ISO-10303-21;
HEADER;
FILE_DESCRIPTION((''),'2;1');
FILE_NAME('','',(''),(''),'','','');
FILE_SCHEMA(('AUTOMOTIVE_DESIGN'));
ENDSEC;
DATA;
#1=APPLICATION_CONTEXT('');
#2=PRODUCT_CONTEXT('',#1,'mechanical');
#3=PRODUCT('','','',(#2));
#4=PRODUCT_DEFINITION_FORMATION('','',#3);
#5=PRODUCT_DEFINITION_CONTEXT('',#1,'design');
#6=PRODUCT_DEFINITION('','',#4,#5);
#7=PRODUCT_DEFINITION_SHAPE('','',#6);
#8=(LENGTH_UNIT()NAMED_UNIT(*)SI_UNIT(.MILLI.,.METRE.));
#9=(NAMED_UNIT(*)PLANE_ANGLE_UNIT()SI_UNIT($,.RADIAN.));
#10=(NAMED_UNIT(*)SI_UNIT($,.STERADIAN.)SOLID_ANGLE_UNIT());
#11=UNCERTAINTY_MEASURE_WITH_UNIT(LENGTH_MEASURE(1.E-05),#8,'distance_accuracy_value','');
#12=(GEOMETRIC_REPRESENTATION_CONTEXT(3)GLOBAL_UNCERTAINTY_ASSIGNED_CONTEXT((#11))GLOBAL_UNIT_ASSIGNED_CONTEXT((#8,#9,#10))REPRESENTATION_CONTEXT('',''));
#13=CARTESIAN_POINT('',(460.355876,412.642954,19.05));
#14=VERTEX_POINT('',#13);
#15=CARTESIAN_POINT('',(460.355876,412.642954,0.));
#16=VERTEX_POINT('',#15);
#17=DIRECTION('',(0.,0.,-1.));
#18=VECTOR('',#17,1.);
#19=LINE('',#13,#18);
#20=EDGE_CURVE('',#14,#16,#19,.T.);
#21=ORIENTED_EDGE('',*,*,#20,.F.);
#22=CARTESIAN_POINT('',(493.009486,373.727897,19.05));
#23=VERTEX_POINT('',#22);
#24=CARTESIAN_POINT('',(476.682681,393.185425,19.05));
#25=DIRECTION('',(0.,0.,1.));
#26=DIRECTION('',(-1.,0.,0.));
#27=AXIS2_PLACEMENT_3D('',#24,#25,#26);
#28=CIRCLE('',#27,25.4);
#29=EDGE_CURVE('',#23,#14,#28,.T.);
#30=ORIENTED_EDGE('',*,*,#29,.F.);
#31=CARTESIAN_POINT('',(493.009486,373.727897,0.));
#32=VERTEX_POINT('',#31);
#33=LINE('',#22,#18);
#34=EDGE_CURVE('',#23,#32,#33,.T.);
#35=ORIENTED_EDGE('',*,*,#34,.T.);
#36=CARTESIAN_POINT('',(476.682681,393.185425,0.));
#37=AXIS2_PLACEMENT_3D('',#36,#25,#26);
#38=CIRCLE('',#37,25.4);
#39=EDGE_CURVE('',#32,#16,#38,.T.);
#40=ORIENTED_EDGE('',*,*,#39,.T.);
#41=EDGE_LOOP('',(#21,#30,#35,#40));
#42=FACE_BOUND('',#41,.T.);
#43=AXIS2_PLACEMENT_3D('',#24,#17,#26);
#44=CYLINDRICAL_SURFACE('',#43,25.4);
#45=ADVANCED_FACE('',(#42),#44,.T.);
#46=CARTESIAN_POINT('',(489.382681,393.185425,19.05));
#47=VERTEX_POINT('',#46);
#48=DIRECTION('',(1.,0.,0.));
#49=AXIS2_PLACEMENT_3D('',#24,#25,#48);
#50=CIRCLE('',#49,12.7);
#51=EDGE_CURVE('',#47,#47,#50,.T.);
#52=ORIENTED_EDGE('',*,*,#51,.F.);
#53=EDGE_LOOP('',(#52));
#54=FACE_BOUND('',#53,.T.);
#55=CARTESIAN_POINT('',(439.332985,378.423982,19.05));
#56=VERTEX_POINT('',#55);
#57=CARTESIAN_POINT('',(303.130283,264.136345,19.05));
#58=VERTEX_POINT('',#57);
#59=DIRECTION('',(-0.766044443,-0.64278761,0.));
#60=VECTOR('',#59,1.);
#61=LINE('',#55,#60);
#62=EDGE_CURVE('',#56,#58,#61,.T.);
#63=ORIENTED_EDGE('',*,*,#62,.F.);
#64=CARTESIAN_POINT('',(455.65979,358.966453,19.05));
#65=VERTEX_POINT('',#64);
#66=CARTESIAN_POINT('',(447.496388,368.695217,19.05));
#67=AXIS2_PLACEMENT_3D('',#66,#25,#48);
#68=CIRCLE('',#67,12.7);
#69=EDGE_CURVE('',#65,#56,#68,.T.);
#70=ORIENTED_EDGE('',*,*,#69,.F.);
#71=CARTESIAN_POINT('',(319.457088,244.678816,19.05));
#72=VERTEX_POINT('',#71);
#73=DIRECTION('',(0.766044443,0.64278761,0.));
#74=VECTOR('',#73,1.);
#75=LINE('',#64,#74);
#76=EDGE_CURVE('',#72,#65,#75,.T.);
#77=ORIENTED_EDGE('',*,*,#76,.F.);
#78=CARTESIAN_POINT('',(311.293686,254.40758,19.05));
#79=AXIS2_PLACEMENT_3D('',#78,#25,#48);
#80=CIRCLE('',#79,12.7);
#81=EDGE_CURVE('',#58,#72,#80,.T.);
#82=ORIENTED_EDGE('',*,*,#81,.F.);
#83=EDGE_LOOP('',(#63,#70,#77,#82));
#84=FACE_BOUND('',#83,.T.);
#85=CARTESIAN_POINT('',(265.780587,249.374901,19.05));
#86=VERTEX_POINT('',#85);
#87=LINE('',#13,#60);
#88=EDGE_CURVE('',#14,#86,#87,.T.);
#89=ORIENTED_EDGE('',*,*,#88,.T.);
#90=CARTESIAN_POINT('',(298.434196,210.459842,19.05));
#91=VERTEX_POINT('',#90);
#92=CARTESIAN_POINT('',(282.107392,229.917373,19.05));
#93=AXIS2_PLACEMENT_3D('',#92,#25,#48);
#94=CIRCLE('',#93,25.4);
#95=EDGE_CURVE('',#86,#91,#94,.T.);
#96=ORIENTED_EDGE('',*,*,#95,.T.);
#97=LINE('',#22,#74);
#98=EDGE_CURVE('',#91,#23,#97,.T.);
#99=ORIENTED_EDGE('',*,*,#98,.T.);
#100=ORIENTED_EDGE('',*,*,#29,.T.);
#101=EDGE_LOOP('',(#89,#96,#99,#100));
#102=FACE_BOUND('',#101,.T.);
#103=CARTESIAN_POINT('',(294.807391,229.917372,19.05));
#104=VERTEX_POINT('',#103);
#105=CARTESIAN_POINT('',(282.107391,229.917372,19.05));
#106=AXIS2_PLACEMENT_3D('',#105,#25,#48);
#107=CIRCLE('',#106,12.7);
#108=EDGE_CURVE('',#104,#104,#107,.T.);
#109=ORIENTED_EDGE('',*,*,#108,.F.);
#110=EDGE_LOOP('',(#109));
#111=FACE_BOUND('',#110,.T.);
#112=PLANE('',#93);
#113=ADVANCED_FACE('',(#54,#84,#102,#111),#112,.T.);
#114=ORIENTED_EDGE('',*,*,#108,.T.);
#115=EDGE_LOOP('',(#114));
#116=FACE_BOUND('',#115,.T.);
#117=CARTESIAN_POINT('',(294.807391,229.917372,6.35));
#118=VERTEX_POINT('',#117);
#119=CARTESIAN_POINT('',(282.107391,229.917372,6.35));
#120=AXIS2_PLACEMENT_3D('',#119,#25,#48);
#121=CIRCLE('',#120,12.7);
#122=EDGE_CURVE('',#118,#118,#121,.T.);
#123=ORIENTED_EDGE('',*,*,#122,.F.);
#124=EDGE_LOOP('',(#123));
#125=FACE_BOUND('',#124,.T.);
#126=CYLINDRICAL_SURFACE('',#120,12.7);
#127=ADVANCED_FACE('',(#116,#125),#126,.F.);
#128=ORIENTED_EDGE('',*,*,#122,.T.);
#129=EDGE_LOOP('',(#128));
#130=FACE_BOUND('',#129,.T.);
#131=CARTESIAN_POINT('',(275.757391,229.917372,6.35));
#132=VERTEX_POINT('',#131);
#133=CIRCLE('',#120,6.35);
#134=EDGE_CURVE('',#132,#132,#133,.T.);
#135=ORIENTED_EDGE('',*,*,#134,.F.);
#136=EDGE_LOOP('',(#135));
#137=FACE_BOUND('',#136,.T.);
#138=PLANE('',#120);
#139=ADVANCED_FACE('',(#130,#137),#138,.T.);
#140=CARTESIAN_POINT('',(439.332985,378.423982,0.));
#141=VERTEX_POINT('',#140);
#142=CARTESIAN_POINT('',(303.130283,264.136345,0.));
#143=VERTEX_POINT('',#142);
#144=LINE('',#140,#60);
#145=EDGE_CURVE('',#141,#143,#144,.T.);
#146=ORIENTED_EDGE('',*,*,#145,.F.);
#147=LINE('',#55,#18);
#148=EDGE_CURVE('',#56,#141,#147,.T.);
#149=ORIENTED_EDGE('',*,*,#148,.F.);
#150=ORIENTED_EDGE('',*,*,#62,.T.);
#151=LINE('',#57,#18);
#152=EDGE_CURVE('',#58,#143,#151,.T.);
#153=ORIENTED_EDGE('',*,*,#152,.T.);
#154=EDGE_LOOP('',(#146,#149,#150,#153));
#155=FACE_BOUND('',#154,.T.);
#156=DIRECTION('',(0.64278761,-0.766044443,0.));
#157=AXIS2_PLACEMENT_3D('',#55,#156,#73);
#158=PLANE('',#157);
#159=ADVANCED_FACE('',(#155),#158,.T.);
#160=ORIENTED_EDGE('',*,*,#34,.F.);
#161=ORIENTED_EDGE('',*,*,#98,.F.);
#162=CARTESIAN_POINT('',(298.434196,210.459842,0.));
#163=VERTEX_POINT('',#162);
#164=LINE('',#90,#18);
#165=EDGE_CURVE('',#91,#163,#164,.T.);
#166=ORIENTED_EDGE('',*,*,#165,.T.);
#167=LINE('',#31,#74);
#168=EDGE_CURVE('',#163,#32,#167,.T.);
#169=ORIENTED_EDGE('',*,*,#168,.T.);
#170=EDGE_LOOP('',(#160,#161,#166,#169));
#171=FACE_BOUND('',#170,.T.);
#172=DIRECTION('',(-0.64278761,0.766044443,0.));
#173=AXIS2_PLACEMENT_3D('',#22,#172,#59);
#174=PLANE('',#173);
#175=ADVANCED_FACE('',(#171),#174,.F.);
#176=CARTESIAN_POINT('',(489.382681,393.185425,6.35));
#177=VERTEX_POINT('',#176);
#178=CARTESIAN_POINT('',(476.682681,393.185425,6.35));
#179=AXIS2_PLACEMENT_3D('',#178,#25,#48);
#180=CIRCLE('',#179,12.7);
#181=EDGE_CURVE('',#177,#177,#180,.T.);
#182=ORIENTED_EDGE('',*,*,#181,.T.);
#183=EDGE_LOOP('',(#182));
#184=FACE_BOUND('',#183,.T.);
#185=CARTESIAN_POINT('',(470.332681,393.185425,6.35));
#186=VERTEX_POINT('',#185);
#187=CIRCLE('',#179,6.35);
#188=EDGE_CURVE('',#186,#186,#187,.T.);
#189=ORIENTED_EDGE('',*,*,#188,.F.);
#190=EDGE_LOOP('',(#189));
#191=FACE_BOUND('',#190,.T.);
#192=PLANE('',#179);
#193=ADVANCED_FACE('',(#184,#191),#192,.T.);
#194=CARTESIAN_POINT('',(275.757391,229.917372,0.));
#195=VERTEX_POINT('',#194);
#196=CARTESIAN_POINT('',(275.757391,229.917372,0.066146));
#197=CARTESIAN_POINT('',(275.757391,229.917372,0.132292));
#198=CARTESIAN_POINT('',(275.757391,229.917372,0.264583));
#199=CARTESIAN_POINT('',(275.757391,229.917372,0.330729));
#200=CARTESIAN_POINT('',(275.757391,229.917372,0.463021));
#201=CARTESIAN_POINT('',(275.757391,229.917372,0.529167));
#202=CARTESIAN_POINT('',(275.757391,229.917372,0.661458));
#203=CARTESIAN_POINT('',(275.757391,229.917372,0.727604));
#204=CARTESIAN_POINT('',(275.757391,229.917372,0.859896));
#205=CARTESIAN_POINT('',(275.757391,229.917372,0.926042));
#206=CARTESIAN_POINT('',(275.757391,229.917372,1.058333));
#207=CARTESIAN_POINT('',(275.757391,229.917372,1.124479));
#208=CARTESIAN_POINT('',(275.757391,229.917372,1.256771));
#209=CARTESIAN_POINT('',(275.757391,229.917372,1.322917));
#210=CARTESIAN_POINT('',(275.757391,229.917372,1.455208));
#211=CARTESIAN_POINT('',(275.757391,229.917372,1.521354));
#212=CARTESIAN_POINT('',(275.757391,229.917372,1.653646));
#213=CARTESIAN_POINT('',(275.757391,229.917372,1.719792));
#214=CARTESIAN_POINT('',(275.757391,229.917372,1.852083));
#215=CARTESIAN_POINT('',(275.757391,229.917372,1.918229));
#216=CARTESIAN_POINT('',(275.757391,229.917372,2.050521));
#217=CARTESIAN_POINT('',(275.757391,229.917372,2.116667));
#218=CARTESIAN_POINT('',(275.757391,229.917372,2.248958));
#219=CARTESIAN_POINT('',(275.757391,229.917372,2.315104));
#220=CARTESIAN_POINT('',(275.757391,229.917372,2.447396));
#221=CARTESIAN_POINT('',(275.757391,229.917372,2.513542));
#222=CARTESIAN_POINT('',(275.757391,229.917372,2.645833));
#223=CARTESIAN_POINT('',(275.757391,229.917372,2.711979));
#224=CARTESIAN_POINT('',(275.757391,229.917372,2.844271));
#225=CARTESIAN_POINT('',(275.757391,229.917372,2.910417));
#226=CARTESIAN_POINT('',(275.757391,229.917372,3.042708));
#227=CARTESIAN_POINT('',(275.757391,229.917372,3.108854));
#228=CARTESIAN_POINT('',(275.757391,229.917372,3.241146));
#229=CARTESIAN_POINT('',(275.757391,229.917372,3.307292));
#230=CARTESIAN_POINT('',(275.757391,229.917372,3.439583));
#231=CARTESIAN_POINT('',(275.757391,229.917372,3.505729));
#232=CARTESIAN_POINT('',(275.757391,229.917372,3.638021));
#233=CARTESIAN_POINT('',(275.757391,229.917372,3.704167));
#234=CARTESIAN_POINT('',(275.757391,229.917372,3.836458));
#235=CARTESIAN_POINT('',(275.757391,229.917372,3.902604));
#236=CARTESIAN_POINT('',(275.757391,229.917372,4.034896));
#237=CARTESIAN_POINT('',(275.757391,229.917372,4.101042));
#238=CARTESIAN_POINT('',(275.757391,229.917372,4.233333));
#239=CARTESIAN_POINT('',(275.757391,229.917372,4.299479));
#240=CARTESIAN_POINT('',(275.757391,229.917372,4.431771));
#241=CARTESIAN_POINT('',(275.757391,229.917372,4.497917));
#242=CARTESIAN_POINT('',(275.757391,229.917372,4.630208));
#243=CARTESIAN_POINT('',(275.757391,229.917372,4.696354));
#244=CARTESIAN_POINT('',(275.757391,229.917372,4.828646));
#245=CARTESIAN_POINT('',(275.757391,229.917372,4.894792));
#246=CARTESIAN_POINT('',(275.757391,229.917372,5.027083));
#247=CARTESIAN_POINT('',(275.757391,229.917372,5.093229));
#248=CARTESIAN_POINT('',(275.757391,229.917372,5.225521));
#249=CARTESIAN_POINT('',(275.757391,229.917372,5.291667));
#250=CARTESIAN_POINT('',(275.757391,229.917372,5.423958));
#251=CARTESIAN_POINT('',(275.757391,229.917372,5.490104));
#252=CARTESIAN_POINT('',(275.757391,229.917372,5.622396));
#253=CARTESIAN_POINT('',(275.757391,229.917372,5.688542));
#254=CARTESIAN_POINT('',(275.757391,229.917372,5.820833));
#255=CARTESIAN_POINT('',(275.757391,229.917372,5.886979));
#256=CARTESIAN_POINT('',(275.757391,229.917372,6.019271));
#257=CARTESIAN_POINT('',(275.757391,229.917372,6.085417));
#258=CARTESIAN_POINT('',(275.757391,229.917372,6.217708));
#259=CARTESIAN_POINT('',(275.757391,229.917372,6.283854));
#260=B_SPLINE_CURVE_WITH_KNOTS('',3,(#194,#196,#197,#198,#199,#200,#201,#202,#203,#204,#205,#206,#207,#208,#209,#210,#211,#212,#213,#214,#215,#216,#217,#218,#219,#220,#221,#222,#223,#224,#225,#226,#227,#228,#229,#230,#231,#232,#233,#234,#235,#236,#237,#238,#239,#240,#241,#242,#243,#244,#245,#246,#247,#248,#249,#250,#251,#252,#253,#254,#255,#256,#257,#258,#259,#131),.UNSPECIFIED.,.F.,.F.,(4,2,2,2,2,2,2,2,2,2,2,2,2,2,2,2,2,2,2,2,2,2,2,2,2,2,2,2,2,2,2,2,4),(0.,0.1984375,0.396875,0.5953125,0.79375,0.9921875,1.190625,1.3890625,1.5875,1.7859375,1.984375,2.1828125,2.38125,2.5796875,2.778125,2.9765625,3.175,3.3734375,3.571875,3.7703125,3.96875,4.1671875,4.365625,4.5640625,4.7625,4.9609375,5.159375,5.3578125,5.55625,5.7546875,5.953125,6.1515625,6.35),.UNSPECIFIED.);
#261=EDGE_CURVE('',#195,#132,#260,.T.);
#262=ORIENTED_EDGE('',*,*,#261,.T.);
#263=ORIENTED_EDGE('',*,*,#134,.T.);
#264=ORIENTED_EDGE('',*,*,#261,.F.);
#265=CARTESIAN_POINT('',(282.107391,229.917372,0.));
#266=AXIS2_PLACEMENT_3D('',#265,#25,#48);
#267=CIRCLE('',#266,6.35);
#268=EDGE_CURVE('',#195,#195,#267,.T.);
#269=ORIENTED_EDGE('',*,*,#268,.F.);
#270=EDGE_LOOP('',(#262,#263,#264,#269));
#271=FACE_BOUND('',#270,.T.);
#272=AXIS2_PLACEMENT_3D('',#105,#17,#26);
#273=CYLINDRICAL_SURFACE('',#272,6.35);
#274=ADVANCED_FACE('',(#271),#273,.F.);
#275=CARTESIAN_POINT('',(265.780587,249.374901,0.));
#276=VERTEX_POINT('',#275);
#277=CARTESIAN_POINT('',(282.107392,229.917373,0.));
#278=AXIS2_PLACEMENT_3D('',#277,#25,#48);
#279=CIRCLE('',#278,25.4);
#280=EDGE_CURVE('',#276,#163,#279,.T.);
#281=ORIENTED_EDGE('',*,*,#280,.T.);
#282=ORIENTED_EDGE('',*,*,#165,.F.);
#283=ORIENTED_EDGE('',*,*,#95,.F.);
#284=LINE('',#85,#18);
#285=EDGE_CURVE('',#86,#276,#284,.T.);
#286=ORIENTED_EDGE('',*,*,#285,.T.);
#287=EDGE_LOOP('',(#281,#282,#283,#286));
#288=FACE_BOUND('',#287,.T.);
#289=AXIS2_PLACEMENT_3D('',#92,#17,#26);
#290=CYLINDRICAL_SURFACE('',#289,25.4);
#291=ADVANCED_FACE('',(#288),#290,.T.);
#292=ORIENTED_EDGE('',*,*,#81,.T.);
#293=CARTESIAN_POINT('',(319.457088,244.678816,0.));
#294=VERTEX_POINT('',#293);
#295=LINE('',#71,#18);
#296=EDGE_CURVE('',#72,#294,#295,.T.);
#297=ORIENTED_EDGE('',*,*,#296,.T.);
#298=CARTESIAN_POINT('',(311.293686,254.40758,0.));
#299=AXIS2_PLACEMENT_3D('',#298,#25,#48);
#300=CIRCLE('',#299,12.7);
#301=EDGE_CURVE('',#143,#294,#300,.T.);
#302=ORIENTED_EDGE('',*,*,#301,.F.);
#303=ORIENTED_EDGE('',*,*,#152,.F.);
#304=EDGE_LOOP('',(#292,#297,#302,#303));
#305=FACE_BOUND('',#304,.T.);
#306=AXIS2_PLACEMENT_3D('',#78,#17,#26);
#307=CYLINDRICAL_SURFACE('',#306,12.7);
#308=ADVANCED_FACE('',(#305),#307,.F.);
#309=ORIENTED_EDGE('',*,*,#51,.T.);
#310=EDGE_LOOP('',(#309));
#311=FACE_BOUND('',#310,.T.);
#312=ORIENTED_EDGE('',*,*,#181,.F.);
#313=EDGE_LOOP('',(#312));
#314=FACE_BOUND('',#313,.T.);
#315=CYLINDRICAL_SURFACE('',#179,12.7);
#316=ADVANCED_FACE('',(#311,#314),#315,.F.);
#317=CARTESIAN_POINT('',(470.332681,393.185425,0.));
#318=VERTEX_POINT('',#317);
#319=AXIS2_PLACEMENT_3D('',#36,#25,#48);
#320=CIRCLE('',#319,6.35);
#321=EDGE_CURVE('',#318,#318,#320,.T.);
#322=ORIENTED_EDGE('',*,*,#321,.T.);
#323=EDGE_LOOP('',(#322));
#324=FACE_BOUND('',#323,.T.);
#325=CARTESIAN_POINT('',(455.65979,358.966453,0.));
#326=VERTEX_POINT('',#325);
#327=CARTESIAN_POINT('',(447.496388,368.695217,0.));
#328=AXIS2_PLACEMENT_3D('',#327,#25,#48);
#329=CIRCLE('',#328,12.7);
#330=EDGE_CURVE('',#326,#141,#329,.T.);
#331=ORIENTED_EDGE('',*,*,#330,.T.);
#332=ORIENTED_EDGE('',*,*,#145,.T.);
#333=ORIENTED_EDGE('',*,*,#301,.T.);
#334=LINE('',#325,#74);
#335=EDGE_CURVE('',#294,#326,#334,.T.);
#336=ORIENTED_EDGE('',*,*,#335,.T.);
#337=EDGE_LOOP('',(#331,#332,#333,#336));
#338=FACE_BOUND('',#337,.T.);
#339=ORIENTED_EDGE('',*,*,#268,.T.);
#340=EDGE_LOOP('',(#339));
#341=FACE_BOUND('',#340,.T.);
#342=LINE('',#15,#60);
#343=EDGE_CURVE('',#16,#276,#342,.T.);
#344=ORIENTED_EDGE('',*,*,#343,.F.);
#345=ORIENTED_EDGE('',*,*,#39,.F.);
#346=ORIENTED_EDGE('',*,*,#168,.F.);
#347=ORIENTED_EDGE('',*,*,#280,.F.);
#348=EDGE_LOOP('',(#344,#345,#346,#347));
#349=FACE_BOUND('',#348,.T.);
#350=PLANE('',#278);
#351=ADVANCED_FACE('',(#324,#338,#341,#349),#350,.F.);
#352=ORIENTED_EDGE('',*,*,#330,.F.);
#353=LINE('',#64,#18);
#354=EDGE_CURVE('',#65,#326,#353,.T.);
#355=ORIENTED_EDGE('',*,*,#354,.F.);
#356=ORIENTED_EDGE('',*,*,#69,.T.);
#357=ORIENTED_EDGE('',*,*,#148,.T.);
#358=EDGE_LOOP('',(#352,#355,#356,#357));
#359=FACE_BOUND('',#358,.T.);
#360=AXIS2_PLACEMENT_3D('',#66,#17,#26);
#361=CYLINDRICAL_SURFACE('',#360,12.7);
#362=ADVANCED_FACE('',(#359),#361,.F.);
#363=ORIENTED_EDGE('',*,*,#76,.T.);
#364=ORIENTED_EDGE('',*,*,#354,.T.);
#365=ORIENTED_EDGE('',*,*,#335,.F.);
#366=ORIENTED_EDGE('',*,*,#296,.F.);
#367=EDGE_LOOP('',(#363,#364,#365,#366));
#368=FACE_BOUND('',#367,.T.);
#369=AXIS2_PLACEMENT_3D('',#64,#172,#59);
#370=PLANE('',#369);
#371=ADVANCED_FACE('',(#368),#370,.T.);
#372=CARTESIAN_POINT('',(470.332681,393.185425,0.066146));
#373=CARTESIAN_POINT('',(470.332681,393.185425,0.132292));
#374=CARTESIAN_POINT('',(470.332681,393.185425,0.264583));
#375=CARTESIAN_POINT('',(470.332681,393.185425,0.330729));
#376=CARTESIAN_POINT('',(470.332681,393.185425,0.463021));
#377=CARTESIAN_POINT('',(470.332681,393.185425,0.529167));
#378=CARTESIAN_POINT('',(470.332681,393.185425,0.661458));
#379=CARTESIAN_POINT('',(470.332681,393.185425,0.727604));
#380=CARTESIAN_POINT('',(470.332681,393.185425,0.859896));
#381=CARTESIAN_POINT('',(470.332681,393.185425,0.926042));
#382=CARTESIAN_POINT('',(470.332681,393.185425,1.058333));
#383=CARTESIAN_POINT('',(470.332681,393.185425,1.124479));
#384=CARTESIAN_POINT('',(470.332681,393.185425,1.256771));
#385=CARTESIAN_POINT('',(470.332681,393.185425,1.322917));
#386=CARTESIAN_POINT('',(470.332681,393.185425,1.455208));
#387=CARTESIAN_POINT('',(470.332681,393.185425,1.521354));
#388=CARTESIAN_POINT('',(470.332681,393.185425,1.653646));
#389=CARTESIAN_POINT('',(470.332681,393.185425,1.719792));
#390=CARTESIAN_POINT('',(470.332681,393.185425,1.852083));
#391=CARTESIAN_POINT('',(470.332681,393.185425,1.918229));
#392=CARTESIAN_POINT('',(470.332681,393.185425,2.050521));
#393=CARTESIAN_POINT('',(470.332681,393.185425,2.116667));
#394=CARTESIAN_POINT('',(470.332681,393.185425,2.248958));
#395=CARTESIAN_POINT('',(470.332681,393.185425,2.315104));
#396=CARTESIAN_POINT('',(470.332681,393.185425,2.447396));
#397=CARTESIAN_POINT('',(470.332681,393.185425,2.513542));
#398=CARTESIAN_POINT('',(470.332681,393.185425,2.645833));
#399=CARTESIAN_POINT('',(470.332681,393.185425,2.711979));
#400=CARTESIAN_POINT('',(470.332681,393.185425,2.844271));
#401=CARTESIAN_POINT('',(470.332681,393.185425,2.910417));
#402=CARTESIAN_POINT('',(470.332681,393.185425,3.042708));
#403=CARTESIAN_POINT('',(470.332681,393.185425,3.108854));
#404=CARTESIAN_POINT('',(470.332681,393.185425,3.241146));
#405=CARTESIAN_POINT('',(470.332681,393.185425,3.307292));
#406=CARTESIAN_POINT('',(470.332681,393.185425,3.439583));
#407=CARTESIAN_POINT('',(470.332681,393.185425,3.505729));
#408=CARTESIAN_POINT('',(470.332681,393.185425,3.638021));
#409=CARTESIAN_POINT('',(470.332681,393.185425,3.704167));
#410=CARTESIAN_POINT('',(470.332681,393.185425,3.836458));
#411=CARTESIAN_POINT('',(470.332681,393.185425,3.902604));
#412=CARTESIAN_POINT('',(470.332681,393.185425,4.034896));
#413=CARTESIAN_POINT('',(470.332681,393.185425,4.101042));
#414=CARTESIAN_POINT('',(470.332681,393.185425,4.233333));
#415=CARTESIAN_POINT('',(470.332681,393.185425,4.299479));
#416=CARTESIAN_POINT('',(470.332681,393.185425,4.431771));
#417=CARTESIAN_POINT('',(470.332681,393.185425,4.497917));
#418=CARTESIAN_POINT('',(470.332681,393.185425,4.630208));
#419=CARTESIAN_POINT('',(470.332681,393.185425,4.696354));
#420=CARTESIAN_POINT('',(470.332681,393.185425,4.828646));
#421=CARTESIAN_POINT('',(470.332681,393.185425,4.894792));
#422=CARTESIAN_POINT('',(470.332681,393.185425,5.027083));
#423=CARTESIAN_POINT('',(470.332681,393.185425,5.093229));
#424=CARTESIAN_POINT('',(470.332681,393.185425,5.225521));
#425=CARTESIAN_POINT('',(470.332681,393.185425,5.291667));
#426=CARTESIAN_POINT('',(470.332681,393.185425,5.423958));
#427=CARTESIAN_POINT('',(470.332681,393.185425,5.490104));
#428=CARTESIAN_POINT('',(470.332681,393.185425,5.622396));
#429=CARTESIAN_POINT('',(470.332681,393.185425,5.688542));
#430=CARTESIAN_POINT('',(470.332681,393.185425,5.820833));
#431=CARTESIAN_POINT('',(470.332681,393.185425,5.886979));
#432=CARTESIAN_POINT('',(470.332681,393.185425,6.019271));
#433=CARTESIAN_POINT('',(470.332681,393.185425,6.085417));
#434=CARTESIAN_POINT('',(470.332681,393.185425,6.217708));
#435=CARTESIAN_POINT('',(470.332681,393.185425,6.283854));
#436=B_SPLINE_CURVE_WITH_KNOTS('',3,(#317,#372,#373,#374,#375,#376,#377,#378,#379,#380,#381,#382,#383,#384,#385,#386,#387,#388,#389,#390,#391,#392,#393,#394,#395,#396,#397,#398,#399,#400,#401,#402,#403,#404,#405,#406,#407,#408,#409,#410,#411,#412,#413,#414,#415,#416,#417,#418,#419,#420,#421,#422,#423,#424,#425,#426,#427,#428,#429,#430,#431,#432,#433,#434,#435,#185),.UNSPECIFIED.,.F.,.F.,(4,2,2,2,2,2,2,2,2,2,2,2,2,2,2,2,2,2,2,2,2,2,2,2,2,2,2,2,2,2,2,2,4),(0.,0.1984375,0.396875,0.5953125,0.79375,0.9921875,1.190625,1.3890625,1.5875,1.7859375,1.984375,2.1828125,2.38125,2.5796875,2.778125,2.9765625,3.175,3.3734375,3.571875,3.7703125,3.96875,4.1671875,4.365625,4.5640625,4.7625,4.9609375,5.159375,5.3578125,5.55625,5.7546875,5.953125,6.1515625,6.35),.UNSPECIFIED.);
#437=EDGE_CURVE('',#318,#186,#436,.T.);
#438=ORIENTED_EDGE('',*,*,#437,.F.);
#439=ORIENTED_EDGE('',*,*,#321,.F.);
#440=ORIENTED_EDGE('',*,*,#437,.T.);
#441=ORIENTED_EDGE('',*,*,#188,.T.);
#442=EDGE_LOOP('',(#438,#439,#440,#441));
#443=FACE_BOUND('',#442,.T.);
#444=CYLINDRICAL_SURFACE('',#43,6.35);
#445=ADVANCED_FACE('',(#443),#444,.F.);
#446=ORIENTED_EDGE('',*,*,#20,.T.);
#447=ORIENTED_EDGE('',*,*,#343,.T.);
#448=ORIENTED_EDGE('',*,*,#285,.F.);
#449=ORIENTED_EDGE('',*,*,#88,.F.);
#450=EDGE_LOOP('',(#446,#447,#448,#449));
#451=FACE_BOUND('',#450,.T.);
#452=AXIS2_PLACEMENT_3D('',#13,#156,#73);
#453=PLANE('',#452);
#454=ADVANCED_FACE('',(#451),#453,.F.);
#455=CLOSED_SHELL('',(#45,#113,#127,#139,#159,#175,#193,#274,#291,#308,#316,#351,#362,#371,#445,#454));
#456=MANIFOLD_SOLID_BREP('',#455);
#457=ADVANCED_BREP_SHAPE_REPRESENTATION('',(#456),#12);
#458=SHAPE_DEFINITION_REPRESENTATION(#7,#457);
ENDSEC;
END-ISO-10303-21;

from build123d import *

# Parameters (mm, degrees)
SKETCH1_R           = 6.35
BOSS_EXTRUDE1_DEPTH = 19.05
SKETCH2_R           = 12.7
CUT_EXTRUDE1_DEPTH  = 12.7


with BuildPart() as part:
    # Sketch1 → Boss-Extrude1 (new body)
    with BuildSketch(Plane.XY):
        with BuildLine():
            Line((460.355875575, 412.642954232), (265.780587023, 249.374901371))
            ThreePointArc((265.780587023, 249.374901371), (262.649862661, 213.590568174), (298.434195706, 210.459842076))
            Line((298.434195706, 210.459842076), (493.009486147, 373.727896521))
            ThreePointArc((493.009486147, 373.727896521), (496.140209716, 409.512230662), (460.355875575, 412.642954232))
        make_face()
        with Locations(Location((282.107391364, 229.917371724, 0), (0, 0, 180))):
            Circle(SKETCH1_R, mode=Mode.SUBTRACT)
        with Locations(Location((476.682680861, 393.185425376, 0), (0, 0, 180))):
            Circle(SKETCH1_R, mode=Mode.SUBTRACT)
        with BuildLine():
            Line((455.659790221, 358.96645302), (319.457088235, 244.678816018))
            ThreePointArc((319.457088235, 244.678816018), (301.564921164, 246.244177802), (303.130282949, 264.136344873))
            Line((303.130282949, 264.136344873), (439.332984935, 378.423981875))
            ThreePointArc((439.332984935, 378.423981875), (457.225152006, 376.85862009), (455.659790221, 358.96645302))
        make_face(mode=Mode.SUBTRACT)
    extrude(amount=BOSS_EXTRUDE1_DEPTH)

    # Sketch2 → Cut-Extrude1 (cut)
    with BuildSketch(Plane.XY.offset(19.05)):
        with Locations((282.107391364, 229.917371724)):
            Circle(SKETCH2_R)
        with Locations((476.682680861, 393.185425376)):
            Circle(SKETCH2_R)
    extrude(amount=-CUT_EXTRUDE1_DEPTH, mode=Mode.SUBTRACT)


solid = part.part
